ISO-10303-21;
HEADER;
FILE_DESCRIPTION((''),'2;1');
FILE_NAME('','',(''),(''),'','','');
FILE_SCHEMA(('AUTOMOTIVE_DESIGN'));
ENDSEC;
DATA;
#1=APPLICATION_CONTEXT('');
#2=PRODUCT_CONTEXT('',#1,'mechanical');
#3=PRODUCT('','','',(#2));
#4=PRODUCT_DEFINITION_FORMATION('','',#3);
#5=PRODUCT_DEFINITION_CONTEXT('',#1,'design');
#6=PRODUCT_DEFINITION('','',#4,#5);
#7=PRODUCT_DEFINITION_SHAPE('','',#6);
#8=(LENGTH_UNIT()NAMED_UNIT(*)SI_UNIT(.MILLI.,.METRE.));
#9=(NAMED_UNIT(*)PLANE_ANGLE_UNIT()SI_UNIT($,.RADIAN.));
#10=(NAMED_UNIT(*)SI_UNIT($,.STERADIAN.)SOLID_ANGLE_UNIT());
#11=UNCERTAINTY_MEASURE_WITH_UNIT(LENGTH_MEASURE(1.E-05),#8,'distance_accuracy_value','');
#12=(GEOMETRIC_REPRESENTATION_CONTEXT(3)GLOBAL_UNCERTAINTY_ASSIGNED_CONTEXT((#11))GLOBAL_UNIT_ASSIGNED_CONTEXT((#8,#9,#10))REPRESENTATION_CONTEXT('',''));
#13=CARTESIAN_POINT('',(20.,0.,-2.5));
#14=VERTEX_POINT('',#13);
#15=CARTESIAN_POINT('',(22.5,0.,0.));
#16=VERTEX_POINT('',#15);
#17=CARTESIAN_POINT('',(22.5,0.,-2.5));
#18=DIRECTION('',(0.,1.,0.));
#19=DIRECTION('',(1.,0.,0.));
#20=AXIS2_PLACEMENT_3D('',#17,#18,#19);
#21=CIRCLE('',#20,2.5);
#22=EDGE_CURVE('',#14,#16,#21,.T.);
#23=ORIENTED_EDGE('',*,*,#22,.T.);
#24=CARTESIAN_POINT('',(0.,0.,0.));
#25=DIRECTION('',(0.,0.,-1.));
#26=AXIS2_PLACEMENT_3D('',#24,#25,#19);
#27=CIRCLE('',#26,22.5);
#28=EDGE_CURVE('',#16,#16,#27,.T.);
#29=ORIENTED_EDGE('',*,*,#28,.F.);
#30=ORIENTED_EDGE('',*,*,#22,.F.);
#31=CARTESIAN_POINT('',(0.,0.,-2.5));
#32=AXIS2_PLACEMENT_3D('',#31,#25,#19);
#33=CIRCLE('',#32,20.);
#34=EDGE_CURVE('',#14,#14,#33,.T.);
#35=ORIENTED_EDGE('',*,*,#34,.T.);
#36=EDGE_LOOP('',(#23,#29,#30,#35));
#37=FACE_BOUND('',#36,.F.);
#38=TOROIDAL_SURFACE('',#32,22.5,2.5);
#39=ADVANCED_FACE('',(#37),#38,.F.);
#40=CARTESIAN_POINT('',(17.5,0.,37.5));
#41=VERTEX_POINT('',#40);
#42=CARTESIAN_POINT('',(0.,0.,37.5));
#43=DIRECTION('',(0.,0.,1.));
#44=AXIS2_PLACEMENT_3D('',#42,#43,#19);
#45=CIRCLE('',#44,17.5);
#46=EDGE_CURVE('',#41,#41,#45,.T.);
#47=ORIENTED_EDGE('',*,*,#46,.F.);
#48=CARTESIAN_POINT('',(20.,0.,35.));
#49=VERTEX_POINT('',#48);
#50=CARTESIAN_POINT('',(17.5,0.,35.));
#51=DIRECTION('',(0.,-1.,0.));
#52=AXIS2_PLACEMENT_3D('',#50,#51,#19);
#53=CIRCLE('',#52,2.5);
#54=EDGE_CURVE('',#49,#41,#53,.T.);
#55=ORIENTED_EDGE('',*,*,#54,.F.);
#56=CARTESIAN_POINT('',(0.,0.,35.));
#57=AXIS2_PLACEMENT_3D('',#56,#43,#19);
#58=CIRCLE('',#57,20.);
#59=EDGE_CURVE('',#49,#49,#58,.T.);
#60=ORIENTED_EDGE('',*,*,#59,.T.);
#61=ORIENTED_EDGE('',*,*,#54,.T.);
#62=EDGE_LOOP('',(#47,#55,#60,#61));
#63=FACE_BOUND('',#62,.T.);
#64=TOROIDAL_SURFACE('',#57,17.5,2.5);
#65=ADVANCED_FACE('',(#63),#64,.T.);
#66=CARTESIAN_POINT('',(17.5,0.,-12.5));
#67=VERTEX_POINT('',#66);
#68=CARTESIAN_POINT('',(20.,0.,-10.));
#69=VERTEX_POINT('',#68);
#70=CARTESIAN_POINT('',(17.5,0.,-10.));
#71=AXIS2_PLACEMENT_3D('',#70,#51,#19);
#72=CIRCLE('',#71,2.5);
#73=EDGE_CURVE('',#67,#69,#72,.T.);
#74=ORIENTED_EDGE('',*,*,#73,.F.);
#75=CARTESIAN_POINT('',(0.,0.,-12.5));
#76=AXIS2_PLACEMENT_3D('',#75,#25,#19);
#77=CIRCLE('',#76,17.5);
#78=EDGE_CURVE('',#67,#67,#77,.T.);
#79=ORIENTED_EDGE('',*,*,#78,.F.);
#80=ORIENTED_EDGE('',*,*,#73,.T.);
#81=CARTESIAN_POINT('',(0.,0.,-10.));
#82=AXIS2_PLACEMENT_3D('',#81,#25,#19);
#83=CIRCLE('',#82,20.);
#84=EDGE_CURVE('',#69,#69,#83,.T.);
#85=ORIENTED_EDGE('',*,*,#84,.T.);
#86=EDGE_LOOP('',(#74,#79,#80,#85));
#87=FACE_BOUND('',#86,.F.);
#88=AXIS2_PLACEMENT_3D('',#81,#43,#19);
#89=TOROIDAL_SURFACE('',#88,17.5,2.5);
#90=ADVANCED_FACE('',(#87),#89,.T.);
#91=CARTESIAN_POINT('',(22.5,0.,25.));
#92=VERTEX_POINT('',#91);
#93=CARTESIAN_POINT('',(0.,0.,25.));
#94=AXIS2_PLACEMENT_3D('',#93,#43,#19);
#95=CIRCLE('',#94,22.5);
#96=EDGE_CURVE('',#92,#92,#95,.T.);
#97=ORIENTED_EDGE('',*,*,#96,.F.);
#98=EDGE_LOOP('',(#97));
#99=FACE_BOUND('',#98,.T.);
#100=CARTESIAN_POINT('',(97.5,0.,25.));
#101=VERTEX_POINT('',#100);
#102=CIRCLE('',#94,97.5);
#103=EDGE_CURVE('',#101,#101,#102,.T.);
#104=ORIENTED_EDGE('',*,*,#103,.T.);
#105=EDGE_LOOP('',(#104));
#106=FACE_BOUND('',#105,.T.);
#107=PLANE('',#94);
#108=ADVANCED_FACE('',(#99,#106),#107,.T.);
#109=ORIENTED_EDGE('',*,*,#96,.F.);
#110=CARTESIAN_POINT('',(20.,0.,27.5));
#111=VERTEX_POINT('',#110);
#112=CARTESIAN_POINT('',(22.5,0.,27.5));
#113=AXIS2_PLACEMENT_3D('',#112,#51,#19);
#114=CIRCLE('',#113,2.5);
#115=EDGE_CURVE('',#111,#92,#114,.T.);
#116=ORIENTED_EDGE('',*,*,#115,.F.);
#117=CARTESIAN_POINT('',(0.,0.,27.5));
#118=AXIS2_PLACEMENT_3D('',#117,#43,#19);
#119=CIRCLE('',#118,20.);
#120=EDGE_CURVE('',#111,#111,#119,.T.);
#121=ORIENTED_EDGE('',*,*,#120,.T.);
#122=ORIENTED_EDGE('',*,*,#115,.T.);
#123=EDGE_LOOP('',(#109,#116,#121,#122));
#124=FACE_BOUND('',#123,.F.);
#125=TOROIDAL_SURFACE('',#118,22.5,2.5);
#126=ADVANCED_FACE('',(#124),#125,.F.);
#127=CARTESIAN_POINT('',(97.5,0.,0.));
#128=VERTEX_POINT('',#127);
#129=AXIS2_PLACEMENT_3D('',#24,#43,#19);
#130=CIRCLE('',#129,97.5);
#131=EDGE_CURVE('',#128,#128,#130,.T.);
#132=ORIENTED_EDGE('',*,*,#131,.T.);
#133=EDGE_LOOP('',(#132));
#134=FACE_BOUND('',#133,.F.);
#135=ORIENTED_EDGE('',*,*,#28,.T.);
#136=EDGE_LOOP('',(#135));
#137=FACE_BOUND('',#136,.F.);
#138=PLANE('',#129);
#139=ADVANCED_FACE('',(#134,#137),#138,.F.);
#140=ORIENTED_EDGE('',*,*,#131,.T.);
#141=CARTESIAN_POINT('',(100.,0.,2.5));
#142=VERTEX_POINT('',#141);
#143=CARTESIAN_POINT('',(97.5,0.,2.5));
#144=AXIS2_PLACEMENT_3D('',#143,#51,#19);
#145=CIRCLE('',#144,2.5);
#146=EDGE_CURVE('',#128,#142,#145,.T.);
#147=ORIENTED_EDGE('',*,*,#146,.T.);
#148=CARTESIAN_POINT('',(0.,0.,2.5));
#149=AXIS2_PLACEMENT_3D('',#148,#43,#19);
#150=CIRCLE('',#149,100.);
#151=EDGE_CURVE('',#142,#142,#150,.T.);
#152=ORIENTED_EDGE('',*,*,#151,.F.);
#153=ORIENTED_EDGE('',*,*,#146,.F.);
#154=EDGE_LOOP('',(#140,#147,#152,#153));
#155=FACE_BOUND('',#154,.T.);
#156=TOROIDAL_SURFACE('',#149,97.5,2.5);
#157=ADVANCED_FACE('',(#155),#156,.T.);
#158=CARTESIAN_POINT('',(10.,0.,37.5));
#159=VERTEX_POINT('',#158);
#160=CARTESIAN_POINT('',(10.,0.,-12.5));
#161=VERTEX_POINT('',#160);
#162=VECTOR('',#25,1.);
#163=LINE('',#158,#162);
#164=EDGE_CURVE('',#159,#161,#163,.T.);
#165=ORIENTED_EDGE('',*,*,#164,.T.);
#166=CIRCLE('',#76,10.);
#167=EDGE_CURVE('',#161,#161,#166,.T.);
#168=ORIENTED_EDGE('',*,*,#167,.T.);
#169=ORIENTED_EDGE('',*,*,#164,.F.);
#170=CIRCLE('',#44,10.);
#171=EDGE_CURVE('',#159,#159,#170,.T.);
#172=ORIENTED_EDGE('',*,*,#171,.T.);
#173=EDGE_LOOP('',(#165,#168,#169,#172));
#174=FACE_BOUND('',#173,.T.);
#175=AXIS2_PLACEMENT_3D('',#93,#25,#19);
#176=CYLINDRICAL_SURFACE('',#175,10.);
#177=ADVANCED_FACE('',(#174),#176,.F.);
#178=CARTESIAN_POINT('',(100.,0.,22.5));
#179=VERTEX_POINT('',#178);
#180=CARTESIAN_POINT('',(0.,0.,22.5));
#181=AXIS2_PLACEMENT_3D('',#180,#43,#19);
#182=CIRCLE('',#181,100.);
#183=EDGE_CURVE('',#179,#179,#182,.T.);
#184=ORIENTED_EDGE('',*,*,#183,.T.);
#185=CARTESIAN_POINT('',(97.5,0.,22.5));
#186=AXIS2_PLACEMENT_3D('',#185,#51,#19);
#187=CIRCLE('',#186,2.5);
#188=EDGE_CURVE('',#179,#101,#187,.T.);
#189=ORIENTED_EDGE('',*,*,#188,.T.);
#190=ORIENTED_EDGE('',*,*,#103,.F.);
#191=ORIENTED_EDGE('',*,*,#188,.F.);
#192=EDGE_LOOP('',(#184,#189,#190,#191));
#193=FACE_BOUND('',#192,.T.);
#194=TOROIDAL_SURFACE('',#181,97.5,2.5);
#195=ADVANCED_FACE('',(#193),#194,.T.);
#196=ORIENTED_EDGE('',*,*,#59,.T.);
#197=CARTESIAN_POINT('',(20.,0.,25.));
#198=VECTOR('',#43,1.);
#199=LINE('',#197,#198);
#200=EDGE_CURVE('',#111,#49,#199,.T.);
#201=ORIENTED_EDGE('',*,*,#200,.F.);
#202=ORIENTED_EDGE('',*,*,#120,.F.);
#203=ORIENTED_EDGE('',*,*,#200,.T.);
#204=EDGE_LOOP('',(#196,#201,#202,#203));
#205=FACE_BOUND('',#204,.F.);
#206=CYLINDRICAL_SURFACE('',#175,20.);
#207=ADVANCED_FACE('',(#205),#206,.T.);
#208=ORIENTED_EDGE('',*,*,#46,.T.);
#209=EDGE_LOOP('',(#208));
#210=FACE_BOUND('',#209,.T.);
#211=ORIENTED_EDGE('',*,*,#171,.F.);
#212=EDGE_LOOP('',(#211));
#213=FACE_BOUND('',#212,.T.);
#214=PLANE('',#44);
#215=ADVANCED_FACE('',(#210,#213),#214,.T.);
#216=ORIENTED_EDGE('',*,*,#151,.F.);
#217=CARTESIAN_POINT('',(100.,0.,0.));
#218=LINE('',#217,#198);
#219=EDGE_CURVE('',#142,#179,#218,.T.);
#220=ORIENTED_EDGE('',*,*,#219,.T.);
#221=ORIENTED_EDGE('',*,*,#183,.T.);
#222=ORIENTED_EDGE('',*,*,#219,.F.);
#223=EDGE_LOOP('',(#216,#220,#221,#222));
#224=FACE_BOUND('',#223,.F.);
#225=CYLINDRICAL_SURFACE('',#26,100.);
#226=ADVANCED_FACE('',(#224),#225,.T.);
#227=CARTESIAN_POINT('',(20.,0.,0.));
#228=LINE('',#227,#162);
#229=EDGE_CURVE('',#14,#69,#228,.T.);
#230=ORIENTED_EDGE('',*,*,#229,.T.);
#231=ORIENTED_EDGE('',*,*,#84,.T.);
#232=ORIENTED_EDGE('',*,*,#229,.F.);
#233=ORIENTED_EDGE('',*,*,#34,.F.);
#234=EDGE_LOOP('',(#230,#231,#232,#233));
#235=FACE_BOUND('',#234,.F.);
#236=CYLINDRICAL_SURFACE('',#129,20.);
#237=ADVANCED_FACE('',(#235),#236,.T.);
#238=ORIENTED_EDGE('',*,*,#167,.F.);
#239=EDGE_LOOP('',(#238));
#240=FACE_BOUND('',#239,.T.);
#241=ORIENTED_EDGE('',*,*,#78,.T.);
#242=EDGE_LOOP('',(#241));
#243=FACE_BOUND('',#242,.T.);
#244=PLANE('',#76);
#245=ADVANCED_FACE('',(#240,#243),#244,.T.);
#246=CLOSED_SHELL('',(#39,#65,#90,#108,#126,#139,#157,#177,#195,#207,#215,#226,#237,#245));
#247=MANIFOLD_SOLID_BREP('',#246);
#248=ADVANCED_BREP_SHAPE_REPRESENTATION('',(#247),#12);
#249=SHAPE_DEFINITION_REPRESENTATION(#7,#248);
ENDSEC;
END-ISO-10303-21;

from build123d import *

# Parameters (mm, degrees)
F0_R     = 100
F0_R_2   = 10
F1_DEPTH = 25
F2_R     = 20
F2_R_2   = 10
F3_DEPTH = 12.5
F4_R     = 20
F4_R_2   = 10
F5_DEPTH = 12.5
F6_R     = 2.5


with BuildPart() as f1:
    # F0 (on Top) → F1 (new body)
    with BuildSketch(Plane.XY):
        Circle(F0_R)
        Circle(F0_R_2, mode=Mode.SUBTRACT)
    extrude(amount=F1_DEPTH)

    # F2 (on face) → F3 (join)
    with BuildSketch(Plane(origin=(0, 0, 0), x_dir=(1, 0, 0), z_dir=(0, 0, -1))):
        Circle(F2_R)
        Circle(F2_R_2, mode=Mode.SUBTRACT)
    extrude(amount=F3_DEPTH)

    # F4 (on face) → F5 (join)
    with BuildSketch(Plane.XY.offset(25)):
        Circle(F4_R)
        Circle(F4_R_2, mode=Mode.SUBTRACT)
    extrude(amount=F5_DEPTH)

    # F6
    f6_edges = [f1.edges().sort_by_distance(p)[0] for p in [
        (-100, 0, 0),
        (-20, 0, 0),
        (-100, 0, 25),
        (-20, 0, 25),
        (-20, 0, 37.5),
        (-20, 0, -12.5),
    ]]
    fillet(f6_edges, radius=F6_R)


solid = f1.part
